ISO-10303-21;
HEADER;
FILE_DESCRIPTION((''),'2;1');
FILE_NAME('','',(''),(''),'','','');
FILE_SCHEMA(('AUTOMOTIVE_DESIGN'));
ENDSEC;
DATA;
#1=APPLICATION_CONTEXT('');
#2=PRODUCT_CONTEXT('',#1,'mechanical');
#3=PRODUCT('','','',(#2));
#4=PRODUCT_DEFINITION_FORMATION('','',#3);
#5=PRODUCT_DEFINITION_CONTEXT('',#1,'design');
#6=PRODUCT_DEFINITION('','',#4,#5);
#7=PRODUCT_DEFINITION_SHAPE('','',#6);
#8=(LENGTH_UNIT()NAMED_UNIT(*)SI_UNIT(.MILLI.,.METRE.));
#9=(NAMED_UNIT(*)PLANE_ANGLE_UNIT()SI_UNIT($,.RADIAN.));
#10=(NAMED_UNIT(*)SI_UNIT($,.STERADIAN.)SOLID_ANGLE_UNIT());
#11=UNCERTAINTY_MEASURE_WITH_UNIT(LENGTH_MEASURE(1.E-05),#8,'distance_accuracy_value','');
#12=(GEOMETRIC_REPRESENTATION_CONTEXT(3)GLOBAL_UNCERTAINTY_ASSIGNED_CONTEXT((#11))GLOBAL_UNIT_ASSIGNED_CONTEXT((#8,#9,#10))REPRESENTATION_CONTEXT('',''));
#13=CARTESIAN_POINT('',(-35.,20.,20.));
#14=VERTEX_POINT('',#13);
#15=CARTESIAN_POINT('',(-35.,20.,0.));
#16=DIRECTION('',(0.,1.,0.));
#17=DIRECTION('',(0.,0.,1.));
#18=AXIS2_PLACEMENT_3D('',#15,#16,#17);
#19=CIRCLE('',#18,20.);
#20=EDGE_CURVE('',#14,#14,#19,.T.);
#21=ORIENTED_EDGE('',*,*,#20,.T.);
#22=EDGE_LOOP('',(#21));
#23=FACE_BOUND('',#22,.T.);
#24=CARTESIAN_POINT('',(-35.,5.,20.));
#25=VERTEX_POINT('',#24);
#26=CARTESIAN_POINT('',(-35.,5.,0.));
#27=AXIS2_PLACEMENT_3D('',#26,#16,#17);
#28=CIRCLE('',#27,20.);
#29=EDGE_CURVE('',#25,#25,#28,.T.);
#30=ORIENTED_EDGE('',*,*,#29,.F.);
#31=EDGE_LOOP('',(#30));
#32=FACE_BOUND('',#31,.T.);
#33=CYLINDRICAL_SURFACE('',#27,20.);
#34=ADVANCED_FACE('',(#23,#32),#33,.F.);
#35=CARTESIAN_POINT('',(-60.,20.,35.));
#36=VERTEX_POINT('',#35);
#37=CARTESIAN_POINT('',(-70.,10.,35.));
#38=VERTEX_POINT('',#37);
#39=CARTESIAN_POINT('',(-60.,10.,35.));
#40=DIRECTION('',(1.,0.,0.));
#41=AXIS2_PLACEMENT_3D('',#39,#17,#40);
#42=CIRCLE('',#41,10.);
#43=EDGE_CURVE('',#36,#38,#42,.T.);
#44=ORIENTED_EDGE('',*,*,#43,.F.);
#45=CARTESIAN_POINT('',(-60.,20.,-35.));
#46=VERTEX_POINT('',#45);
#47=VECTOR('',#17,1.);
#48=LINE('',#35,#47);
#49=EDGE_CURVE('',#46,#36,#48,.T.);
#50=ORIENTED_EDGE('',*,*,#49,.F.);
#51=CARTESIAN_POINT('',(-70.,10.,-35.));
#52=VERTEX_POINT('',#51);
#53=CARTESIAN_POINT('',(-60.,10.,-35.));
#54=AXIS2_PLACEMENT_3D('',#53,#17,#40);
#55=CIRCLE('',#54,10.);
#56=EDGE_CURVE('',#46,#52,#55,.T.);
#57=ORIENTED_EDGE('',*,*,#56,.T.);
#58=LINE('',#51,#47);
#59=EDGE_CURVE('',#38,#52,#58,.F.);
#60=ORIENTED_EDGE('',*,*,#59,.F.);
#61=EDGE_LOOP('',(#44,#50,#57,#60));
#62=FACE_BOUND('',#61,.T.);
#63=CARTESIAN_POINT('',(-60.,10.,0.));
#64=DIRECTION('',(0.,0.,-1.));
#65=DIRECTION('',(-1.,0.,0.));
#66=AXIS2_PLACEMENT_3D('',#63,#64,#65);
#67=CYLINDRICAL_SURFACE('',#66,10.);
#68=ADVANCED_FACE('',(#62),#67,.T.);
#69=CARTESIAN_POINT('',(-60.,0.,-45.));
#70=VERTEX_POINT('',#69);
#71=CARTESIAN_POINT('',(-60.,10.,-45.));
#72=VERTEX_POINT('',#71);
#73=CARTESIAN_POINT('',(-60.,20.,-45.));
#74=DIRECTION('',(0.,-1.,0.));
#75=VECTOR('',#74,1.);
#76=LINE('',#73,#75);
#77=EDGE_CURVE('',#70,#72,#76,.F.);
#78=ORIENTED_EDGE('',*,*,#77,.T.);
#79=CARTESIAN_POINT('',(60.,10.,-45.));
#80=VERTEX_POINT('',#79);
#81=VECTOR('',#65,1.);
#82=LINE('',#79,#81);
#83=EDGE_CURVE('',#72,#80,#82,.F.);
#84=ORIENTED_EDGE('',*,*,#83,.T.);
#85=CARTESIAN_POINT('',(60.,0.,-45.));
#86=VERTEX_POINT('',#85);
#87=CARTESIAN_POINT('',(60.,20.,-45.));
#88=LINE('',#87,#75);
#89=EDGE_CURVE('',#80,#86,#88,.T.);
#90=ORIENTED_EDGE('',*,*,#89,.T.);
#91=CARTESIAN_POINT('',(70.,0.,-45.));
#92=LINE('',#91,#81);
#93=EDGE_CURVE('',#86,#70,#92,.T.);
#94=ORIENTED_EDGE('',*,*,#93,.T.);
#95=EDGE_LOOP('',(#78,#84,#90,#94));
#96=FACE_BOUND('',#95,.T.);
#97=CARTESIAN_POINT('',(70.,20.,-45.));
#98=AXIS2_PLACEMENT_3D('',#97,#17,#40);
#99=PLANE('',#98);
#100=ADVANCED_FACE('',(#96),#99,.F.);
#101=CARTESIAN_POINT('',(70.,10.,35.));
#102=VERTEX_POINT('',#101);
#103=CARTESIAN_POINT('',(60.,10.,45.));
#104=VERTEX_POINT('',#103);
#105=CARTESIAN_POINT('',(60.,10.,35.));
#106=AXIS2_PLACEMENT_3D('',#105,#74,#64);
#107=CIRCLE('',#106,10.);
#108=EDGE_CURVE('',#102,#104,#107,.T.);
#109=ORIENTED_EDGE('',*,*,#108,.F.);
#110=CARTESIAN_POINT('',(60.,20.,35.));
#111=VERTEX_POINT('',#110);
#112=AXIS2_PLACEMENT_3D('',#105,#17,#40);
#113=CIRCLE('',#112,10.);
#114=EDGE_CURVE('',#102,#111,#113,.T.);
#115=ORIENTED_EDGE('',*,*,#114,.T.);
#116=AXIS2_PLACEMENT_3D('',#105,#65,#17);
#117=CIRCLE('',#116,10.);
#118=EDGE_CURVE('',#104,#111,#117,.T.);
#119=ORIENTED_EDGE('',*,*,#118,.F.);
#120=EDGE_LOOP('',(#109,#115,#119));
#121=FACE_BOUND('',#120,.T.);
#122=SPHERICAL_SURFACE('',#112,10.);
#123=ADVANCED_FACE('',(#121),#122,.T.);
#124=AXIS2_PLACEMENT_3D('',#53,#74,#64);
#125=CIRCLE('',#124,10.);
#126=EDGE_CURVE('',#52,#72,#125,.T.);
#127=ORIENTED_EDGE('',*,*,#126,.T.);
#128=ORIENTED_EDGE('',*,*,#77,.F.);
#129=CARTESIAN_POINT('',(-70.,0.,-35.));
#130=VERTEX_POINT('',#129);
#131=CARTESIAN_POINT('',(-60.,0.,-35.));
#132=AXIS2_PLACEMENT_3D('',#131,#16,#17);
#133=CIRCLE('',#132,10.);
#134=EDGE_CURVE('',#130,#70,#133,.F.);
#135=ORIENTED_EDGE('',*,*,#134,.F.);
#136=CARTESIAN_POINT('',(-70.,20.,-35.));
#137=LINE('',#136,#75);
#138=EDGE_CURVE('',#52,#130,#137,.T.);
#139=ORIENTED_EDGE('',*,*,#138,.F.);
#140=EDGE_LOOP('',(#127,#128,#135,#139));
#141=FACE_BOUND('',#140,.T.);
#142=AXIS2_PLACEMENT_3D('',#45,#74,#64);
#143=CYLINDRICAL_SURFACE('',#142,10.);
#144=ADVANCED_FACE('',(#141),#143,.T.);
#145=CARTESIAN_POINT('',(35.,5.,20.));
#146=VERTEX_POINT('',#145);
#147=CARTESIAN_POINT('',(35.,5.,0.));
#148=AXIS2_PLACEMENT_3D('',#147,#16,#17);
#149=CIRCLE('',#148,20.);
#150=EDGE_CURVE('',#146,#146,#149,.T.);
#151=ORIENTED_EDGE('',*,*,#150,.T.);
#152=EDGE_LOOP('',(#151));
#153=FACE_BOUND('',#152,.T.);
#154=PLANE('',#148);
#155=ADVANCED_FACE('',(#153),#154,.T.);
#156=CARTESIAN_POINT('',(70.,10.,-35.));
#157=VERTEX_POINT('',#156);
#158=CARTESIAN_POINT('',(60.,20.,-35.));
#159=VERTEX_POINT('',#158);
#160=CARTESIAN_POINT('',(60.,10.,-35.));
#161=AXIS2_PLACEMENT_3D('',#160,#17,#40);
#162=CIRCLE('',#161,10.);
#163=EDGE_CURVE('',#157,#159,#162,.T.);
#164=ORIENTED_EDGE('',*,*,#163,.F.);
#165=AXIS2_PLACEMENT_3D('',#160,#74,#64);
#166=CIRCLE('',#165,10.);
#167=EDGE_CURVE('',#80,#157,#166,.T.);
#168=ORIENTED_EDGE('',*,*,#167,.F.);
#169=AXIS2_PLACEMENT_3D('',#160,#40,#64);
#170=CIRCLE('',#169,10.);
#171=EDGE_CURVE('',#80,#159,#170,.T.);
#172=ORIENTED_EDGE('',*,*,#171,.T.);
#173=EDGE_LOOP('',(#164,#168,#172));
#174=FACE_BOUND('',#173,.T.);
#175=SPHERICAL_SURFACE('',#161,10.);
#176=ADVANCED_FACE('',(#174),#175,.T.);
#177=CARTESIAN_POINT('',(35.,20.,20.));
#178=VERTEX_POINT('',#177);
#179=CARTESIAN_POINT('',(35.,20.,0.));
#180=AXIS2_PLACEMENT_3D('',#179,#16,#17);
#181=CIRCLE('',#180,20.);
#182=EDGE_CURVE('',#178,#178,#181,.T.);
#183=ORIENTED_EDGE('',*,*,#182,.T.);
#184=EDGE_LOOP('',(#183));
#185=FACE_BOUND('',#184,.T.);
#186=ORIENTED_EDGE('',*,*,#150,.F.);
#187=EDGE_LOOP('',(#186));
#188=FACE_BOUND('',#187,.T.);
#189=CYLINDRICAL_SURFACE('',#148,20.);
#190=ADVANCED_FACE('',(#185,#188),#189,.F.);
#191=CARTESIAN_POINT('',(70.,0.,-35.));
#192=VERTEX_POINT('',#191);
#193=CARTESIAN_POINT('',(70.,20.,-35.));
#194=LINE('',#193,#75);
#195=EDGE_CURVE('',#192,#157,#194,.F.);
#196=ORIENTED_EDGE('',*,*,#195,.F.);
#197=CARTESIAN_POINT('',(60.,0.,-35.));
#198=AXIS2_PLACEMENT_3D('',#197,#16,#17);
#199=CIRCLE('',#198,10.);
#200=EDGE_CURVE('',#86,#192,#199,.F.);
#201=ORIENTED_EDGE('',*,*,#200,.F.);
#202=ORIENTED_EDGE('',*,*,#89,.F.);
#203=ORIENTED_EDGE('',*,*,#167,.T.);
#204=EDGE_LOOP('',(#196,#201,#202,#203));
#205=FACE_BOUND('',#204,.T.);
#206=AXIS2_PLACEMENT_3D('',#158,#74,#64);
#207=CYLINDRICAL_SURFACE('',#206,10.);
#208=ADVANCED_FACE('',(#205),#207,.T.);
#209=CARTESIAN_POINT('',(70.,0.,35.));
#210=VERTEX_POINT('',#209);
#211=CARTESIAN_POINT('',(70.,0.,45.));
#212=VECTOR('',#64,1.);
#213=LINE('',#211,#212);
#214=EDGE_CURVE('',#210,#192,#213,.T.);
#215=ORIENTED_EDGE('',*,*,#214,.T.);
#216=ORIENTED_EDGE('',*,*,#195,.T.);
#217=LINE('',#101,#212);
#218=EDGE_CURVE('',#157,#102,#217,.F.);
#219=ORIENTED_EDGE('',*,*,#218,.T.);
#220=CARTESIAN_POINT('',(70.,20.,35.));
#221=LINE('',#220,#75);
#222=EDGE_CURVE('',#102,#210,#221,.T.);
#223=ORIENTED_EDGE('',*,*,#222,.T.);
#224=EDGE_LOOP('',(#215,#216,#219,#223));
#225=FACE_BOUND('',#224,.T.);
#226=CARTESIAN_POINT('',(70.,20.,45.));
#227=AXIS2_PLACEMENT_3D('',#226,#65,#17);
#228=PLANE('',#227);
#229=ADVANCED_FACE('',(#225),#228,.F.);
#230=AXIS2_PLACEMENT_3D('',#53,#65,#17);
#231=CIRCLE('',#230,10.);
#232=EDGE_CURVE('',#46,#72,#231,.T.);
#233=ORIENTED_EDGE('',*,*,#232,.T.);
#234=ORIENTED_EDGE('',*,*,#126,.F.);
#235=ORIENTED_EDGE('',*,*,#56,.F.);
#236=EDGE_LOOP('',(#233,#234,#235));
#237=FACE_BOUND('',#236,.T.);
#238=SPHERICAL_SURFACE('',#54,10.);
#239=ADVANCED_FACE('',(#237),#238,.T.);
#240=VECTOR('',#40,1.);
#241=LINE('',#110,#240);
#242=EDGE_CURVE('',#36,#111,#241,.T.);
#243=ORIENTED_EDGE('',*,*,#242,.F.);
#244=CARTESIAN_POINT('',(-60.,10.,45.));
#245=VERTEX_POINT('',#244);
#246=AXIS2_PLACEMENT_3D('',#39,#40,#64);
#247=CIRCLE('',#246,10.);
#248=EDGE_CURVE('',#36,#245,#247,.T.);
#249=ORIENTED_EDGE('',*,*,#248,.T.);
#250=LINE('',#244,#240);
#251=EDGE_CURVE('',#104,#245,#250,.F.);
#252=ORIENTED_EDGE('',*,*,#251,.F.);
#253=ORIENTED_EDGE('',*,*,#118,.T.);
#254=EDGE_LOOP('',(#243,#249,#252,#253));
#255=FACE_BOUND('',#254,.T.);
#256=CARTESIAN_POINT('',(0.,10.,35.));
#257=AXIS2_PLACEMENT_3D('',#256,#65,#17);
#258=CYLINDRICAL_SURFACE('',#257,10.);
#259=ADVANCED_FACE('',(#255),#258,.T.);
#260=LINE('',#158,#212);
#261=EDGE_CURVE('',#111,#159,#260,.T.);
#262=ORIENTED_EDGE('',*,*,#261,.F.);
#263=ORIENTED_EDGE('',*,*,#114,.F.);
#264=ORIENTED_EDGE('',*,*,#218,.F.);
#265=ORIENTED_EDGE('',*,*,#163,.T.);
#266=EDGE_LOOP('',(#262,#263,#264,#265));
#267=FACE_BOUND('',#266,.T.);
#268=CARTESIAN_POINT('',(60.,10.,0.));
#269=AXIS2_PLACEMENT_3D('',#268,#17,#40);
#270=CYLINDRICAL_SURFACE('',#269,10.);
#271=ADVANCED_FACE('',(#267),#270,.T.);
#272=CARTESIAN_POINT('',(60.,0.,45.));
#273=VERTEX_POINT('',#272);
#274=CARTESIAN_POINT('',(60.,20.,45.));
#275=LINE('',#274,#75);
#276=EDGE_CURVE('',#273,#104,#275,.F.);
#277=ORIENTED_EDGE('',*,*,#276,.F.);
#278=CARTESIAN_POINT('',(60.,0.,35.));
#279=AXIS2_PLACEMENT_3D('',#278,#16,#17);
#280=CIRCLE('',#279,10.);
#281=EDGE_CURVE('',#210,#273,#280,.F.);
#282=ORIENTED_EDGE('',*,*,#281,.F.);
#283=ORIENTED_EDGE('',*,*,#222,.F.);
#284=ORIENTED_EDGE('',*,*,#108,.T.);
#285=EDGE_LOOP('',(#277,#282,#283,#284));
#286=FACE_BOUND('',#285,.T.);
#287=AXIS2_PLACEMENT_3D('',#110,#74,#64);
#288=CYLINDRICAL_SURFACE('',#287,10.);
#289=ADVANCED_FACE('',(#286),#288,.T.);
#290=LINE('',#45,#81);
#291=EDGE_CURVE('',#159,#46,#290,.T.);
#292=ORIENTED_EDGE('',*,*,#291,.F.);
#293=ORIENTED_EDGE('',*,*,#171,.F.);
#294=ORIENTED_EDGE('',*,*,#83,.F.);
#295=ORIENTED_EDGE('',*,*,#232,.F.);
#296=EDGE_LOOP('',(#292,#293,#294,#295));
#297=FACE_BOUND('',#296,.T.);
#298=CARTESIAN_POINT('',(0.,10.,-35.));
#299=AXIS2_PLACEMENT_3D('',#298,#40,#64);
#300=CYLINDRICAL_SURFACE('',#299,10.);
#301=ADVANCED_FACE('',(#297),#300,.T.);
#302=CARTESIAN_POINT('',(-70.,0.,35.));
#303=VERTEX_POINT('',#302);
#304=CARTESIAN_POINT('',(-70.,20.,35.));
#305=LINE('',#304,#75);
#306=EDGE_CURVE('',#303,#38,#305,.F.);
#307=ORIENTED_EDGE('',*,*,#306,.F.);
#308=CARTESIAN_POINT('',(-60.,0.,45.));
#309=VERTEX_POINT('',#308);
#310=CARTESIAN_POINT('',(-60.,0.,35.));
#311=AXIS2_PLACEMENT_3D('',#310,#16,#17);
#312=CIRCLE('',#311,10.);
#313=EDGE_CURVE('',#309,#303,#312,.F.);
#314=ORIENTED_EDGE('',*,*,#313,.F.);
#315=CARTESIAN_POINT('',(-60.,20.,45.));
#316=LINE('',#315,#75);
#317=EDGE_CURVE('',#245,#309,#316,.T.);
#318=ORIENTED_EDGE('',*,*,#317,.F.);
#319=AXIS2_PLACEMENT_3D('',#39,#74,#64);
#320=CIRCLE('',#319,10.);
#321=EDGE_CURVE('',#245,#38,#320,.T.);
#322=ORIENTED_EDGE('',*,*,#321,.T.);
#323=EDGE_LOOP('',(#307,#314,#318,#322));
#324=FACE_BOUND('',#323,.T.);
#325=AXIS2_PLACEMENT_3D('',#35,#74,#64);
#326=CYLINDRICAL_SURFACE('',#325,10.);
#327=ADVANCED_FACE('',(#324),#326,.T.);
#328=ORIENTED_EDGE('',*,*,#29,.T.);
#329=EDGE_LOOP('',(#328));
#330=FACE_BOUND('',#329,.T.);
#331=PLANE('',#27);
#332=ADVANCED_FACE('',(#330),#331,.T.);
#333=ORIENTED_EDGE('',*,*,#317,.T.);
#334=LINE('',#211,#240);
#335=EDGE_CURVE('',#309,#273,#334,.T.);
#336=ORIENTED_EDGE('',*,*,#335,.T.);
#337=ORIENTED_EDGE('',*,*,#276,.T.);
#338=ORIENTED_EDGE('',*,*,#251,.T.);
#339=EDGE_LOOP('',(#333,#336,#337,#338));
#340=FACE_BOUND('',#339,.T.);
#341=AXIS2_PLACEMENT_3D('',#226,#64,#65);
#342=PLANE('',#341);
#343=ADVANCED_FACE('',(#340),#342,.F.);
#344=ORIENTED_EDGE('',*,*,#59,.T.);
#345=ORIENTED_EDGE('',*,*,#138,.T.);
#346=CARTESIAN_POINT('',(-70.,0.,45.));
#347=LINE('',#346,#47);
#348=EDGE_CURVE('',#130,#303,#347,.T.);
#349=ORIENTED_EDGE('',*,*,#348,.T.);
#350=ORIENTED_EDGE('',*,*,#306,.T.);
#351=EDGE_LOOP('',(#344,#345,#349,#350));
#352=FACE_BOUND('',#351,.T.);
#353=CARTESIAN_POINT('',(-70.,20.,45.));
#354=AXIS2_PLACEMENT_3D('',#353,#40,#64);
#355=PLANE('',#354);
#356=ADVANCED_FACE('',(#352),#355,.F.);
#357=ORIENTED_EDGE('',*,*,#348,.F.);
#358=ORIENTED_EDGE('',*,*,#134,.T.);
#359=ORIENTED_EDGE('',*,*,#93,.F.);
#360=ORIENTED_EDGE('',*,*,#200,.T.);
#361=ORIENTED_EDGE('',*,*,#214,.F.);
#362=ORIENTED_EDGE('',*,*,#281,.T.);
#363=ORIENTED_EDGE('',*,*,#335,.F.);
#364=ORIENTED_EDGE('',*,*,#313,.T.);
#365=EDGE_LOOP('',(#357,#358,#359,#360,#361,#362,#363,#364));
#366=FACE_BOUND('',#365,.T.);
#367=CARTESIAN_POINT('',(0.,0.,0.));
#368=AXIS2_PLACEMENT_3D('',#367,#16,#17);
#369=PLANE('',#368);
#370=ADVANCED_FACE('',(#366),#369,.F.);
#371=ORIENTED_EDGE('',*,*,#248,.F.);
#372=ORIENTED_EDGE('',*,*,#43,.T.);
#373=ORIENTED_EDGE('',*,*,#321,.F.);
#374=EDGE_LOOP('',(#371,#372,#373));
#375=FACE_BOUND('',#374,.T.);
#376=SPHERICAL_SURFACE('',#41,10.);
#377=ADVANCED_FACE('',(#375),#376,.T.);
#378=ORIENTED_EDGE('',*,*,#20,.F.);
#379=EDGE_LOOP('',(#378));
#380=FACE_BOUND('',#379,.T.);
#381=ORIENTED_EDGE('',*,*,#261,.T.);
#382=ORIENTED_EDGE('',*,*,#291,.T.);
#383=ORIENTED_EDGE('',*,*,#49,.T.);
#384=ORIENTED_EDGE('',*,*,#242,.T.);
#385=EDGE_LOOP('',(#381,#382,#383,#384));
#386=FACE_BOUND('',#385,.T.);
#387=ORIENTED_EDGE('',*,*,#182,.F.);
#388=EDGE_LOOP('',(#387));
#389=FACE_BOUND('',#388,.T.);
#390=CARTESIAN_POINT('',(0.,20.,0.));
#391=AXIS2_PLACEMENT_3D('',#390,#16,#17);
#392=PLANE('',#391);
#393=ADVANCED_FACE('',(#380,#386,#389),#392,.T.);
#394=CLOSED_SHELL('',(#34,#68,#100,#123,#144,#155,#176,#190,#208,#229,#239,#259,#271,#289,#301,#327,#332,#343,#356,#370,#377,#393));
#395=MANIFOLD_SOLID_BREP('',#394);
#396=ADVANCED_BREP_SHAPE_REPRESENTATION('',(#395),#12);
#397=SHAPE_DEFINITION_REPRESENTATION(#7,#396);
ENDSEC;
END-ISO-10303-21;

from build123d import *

# Parameters (mm, degrees)
SKETCH1_W           = 140
SKETCH1_H           = 90
BOSS_EXTRUDE1_DEPTH = 20
SKETCH2_R           = 20
CUT_EXTRUDE1_DEPTH  = 15
FILLET1_R           = 10
FILLET2_R           = 10


with BuildPart() as part:
    # Sketch1 → Boss-Extrude1 (new body)
    with BuildSketch(Plane(origin=(0, 0, 0), x_dir=(1, 0, 0), z_dir=(0, 1, 0))):
        Rectangle(SKETCH1_W, SKETCH1_H)
    extrude(amount=BOSS_EXTRUDE1_DEPTH)

    # Sketch2 → Cut-Extrude1 (cut)
    with BuildSketch(Plane(origin=(0, 20, 0), x_dir=(1, 0, 0), z_dir=(0, 1, 0))):
        with Locations((-35, 0)):
            Circle(SKETCH2_R)
        with Locations((35, 0)):
            Circle(SKETCH2_R)
    extrude(amount=-CUT_EXTRUDE1_DEPTH, mode=Mode.SUBTRACT)

    # Fillet1
    fillet1_edges = [part.edges().sort_by_distance(p)[0] for p in [
        (-70, 10, -45),
        (70, 10, -45),
        (70, 10, 45),
        (-70, 10, 45),
    ]]
    fillet(fillet1_edges, radius=FILLET1_R)

    # Fillet2
    fillet2_edges = [part.edges().sort_by_distance(p)[0] for p in [
        (70, 20, 0),
        (0, 20, 45),
        (-70, 20, 0),
        (0, 20, -45),
        (-67.071067812, 20, 42.071067812),
        (-67.071067812, 20, -42.071067812),
        (67.071067812, 20, -42.071067812),
        (67.071067812, 20, 42.071067812),
    ]]
    fillet(fillet2_edges, radius=FILLET2_R)


solid = part.part
